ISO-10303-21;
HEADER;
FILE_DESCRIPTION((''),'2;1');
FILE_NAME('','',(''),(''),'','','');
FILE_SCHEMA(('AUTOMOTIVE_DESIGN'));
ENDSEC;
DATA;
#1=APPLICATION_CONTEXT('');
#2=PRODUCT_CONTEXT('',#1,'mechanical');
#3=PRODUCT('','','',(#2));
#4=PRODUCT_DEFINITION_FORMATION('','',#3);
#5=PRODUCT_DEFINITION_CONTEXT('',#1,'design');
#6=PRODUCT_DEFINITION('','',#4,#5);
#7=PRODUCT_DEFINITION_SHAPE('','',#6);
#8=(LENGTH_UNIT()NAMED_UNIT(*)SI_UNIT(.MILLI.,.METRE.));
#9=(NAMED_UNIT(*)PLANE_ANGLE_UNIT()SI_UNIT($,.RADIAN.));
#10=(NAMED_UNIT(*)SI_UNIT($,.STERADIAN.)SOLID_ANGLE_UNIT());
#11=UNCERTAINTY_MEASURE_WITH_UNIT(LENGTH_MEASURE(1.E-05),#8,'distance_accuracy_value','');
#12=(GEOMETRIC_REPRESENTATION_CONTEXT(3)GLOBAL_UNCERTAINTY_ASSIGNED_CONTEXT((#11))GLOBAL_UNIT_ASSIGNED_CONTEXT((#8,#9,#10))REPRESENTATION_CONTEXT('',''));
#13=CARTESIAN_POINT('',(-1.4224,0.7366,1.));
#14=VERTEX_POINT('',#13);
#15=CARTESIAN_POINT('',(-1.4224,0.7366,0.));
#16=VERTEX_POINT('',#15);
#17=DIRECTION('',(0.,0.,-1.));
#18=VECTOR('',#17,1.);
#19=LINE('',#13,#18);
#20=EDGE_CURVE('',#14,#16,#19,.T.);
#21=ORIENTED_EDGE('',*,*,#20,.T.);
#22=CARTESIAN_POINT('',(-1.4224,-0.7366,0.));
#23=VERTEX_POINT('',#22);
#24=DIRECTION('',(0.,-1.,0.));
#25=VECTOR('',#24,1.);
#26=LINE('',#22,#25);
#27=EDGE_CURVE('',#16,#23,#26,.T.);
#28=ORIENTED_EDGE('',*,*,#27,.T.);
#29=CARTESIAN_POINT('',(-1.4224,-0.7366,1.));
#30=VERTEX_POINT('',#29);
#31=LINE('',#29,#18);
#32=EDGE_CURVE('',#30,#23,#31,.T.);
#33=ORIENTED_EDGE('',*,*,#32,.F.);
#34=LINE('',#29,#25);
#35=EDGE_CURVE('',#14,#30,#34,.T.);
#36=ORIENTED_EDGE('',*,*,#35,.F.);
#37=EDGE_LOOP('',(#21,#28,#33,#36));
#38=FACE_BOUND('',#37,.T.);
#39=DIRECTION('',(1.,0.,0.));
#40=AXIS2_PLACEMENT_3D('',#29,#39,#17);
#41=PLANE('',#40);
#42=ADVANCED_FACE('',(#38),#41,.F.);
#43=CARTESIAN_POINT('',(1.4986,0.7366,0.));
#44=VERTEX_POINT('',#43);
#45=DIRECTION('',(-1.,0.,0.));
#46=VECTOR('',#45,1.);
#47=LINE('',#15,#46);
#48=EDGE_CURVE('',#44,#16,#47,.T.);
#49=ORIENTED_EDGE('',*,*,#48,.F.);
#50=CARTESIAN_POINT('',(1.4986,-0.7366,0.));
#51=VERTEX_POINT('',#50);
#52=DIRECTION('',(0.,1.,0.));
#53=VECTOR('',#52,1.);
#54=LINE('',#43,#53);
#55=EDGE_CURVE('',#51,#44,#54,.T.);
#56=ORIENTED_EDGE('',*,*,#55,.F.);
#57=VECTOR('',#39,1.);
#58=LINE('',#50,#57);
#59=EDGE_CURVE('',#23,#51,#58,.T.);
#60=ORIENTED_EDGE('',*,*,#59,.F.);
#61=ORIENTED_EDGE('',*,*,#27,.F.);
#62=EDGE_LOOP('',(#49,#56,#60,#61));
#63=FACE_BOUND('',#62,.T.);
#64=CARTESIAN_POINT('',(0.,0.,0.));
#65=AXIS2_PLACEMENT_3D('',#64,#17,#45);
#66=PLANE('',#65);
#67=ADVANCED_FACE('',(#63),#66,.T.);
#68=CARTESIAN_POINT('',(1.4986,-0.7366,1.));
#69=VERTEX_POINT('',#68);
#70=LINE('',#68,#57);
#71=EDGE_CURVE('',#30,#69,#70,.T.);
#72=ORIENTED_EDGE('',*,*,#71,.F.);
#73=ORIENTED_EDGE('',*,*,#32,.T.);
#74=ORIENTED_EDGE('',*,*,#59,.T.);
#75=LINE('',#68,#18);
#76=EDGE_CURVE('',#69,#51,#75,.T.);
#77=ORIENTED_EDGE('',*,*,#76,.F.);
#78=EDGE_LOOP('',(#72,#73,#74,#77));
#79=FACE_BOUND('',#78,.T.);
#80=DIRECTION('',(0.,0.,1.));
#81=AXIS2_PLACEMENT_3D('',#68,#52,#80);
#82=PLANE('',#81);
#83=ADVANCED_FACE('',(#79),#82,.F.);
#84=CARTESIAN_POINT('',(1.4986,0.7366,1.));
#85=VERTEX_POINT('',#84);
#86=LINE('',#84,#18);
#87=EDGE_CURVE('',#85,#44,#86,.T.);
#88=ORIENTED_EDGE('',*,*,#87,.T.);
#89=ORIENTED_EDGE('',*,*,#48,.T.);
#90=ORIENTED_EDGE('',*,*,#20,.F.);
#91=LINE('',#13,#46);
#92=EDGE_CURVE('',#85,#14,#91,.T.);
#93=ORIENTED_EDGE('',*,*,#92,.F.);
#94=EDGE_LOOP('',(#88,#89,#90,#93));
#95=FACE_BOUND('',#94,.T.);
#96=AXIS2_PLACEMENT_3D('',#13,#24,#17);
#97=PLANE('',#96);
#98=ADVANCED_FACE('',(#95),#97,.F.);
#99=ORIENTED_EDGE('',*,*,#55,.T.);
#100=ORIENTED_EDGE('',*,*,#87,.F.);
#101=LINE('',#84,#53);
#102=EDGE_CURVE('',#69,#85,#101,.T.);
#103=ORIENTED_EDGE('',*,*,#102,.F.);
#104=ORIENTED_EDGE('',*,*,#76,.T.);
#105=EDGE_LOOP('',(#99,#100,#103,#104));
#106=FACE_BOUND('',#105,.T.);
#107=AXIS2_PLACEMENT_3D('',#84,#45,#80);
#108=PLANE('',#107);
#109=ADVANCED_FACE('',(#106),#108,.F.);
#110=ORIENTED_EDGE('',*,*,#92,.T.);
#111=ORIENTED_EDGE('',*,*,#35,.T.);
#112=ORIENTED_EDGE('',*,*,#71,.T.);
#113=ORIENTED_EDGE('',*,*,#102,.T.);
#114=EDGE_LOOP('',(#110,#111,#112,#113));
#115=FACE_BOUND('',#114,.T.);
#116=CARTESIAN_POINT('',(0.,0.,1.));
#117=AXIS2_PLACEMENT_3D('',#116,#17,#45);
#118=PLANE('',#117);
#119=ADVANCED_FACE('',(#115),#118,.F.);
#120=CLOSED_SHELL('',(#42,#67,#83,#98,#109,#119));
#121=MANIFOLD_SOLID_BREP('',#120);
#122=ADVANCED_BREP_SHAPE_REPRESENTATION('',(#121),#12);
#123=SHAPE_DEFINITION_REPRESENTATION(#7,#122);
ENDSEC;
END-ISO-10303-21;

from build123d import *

# Parameters (mm, degrees)
SKETCH1_W               = 2.921
SKETCH1_H               = 1.4732
COMPONENT_OUTLINE_DEPTH = 1


with BuildPart() as part:
    # Sketch1 → Component_Outline (new body)
    with BuildSketch(Plane.XY):
        with Locations((0.0381, 0)):
            Rectangle(SKETCH1_W, SKETCH1_H)
    extrude(amount=COMPONENT_OUTLINE_DEPTH)


solid = part.part
